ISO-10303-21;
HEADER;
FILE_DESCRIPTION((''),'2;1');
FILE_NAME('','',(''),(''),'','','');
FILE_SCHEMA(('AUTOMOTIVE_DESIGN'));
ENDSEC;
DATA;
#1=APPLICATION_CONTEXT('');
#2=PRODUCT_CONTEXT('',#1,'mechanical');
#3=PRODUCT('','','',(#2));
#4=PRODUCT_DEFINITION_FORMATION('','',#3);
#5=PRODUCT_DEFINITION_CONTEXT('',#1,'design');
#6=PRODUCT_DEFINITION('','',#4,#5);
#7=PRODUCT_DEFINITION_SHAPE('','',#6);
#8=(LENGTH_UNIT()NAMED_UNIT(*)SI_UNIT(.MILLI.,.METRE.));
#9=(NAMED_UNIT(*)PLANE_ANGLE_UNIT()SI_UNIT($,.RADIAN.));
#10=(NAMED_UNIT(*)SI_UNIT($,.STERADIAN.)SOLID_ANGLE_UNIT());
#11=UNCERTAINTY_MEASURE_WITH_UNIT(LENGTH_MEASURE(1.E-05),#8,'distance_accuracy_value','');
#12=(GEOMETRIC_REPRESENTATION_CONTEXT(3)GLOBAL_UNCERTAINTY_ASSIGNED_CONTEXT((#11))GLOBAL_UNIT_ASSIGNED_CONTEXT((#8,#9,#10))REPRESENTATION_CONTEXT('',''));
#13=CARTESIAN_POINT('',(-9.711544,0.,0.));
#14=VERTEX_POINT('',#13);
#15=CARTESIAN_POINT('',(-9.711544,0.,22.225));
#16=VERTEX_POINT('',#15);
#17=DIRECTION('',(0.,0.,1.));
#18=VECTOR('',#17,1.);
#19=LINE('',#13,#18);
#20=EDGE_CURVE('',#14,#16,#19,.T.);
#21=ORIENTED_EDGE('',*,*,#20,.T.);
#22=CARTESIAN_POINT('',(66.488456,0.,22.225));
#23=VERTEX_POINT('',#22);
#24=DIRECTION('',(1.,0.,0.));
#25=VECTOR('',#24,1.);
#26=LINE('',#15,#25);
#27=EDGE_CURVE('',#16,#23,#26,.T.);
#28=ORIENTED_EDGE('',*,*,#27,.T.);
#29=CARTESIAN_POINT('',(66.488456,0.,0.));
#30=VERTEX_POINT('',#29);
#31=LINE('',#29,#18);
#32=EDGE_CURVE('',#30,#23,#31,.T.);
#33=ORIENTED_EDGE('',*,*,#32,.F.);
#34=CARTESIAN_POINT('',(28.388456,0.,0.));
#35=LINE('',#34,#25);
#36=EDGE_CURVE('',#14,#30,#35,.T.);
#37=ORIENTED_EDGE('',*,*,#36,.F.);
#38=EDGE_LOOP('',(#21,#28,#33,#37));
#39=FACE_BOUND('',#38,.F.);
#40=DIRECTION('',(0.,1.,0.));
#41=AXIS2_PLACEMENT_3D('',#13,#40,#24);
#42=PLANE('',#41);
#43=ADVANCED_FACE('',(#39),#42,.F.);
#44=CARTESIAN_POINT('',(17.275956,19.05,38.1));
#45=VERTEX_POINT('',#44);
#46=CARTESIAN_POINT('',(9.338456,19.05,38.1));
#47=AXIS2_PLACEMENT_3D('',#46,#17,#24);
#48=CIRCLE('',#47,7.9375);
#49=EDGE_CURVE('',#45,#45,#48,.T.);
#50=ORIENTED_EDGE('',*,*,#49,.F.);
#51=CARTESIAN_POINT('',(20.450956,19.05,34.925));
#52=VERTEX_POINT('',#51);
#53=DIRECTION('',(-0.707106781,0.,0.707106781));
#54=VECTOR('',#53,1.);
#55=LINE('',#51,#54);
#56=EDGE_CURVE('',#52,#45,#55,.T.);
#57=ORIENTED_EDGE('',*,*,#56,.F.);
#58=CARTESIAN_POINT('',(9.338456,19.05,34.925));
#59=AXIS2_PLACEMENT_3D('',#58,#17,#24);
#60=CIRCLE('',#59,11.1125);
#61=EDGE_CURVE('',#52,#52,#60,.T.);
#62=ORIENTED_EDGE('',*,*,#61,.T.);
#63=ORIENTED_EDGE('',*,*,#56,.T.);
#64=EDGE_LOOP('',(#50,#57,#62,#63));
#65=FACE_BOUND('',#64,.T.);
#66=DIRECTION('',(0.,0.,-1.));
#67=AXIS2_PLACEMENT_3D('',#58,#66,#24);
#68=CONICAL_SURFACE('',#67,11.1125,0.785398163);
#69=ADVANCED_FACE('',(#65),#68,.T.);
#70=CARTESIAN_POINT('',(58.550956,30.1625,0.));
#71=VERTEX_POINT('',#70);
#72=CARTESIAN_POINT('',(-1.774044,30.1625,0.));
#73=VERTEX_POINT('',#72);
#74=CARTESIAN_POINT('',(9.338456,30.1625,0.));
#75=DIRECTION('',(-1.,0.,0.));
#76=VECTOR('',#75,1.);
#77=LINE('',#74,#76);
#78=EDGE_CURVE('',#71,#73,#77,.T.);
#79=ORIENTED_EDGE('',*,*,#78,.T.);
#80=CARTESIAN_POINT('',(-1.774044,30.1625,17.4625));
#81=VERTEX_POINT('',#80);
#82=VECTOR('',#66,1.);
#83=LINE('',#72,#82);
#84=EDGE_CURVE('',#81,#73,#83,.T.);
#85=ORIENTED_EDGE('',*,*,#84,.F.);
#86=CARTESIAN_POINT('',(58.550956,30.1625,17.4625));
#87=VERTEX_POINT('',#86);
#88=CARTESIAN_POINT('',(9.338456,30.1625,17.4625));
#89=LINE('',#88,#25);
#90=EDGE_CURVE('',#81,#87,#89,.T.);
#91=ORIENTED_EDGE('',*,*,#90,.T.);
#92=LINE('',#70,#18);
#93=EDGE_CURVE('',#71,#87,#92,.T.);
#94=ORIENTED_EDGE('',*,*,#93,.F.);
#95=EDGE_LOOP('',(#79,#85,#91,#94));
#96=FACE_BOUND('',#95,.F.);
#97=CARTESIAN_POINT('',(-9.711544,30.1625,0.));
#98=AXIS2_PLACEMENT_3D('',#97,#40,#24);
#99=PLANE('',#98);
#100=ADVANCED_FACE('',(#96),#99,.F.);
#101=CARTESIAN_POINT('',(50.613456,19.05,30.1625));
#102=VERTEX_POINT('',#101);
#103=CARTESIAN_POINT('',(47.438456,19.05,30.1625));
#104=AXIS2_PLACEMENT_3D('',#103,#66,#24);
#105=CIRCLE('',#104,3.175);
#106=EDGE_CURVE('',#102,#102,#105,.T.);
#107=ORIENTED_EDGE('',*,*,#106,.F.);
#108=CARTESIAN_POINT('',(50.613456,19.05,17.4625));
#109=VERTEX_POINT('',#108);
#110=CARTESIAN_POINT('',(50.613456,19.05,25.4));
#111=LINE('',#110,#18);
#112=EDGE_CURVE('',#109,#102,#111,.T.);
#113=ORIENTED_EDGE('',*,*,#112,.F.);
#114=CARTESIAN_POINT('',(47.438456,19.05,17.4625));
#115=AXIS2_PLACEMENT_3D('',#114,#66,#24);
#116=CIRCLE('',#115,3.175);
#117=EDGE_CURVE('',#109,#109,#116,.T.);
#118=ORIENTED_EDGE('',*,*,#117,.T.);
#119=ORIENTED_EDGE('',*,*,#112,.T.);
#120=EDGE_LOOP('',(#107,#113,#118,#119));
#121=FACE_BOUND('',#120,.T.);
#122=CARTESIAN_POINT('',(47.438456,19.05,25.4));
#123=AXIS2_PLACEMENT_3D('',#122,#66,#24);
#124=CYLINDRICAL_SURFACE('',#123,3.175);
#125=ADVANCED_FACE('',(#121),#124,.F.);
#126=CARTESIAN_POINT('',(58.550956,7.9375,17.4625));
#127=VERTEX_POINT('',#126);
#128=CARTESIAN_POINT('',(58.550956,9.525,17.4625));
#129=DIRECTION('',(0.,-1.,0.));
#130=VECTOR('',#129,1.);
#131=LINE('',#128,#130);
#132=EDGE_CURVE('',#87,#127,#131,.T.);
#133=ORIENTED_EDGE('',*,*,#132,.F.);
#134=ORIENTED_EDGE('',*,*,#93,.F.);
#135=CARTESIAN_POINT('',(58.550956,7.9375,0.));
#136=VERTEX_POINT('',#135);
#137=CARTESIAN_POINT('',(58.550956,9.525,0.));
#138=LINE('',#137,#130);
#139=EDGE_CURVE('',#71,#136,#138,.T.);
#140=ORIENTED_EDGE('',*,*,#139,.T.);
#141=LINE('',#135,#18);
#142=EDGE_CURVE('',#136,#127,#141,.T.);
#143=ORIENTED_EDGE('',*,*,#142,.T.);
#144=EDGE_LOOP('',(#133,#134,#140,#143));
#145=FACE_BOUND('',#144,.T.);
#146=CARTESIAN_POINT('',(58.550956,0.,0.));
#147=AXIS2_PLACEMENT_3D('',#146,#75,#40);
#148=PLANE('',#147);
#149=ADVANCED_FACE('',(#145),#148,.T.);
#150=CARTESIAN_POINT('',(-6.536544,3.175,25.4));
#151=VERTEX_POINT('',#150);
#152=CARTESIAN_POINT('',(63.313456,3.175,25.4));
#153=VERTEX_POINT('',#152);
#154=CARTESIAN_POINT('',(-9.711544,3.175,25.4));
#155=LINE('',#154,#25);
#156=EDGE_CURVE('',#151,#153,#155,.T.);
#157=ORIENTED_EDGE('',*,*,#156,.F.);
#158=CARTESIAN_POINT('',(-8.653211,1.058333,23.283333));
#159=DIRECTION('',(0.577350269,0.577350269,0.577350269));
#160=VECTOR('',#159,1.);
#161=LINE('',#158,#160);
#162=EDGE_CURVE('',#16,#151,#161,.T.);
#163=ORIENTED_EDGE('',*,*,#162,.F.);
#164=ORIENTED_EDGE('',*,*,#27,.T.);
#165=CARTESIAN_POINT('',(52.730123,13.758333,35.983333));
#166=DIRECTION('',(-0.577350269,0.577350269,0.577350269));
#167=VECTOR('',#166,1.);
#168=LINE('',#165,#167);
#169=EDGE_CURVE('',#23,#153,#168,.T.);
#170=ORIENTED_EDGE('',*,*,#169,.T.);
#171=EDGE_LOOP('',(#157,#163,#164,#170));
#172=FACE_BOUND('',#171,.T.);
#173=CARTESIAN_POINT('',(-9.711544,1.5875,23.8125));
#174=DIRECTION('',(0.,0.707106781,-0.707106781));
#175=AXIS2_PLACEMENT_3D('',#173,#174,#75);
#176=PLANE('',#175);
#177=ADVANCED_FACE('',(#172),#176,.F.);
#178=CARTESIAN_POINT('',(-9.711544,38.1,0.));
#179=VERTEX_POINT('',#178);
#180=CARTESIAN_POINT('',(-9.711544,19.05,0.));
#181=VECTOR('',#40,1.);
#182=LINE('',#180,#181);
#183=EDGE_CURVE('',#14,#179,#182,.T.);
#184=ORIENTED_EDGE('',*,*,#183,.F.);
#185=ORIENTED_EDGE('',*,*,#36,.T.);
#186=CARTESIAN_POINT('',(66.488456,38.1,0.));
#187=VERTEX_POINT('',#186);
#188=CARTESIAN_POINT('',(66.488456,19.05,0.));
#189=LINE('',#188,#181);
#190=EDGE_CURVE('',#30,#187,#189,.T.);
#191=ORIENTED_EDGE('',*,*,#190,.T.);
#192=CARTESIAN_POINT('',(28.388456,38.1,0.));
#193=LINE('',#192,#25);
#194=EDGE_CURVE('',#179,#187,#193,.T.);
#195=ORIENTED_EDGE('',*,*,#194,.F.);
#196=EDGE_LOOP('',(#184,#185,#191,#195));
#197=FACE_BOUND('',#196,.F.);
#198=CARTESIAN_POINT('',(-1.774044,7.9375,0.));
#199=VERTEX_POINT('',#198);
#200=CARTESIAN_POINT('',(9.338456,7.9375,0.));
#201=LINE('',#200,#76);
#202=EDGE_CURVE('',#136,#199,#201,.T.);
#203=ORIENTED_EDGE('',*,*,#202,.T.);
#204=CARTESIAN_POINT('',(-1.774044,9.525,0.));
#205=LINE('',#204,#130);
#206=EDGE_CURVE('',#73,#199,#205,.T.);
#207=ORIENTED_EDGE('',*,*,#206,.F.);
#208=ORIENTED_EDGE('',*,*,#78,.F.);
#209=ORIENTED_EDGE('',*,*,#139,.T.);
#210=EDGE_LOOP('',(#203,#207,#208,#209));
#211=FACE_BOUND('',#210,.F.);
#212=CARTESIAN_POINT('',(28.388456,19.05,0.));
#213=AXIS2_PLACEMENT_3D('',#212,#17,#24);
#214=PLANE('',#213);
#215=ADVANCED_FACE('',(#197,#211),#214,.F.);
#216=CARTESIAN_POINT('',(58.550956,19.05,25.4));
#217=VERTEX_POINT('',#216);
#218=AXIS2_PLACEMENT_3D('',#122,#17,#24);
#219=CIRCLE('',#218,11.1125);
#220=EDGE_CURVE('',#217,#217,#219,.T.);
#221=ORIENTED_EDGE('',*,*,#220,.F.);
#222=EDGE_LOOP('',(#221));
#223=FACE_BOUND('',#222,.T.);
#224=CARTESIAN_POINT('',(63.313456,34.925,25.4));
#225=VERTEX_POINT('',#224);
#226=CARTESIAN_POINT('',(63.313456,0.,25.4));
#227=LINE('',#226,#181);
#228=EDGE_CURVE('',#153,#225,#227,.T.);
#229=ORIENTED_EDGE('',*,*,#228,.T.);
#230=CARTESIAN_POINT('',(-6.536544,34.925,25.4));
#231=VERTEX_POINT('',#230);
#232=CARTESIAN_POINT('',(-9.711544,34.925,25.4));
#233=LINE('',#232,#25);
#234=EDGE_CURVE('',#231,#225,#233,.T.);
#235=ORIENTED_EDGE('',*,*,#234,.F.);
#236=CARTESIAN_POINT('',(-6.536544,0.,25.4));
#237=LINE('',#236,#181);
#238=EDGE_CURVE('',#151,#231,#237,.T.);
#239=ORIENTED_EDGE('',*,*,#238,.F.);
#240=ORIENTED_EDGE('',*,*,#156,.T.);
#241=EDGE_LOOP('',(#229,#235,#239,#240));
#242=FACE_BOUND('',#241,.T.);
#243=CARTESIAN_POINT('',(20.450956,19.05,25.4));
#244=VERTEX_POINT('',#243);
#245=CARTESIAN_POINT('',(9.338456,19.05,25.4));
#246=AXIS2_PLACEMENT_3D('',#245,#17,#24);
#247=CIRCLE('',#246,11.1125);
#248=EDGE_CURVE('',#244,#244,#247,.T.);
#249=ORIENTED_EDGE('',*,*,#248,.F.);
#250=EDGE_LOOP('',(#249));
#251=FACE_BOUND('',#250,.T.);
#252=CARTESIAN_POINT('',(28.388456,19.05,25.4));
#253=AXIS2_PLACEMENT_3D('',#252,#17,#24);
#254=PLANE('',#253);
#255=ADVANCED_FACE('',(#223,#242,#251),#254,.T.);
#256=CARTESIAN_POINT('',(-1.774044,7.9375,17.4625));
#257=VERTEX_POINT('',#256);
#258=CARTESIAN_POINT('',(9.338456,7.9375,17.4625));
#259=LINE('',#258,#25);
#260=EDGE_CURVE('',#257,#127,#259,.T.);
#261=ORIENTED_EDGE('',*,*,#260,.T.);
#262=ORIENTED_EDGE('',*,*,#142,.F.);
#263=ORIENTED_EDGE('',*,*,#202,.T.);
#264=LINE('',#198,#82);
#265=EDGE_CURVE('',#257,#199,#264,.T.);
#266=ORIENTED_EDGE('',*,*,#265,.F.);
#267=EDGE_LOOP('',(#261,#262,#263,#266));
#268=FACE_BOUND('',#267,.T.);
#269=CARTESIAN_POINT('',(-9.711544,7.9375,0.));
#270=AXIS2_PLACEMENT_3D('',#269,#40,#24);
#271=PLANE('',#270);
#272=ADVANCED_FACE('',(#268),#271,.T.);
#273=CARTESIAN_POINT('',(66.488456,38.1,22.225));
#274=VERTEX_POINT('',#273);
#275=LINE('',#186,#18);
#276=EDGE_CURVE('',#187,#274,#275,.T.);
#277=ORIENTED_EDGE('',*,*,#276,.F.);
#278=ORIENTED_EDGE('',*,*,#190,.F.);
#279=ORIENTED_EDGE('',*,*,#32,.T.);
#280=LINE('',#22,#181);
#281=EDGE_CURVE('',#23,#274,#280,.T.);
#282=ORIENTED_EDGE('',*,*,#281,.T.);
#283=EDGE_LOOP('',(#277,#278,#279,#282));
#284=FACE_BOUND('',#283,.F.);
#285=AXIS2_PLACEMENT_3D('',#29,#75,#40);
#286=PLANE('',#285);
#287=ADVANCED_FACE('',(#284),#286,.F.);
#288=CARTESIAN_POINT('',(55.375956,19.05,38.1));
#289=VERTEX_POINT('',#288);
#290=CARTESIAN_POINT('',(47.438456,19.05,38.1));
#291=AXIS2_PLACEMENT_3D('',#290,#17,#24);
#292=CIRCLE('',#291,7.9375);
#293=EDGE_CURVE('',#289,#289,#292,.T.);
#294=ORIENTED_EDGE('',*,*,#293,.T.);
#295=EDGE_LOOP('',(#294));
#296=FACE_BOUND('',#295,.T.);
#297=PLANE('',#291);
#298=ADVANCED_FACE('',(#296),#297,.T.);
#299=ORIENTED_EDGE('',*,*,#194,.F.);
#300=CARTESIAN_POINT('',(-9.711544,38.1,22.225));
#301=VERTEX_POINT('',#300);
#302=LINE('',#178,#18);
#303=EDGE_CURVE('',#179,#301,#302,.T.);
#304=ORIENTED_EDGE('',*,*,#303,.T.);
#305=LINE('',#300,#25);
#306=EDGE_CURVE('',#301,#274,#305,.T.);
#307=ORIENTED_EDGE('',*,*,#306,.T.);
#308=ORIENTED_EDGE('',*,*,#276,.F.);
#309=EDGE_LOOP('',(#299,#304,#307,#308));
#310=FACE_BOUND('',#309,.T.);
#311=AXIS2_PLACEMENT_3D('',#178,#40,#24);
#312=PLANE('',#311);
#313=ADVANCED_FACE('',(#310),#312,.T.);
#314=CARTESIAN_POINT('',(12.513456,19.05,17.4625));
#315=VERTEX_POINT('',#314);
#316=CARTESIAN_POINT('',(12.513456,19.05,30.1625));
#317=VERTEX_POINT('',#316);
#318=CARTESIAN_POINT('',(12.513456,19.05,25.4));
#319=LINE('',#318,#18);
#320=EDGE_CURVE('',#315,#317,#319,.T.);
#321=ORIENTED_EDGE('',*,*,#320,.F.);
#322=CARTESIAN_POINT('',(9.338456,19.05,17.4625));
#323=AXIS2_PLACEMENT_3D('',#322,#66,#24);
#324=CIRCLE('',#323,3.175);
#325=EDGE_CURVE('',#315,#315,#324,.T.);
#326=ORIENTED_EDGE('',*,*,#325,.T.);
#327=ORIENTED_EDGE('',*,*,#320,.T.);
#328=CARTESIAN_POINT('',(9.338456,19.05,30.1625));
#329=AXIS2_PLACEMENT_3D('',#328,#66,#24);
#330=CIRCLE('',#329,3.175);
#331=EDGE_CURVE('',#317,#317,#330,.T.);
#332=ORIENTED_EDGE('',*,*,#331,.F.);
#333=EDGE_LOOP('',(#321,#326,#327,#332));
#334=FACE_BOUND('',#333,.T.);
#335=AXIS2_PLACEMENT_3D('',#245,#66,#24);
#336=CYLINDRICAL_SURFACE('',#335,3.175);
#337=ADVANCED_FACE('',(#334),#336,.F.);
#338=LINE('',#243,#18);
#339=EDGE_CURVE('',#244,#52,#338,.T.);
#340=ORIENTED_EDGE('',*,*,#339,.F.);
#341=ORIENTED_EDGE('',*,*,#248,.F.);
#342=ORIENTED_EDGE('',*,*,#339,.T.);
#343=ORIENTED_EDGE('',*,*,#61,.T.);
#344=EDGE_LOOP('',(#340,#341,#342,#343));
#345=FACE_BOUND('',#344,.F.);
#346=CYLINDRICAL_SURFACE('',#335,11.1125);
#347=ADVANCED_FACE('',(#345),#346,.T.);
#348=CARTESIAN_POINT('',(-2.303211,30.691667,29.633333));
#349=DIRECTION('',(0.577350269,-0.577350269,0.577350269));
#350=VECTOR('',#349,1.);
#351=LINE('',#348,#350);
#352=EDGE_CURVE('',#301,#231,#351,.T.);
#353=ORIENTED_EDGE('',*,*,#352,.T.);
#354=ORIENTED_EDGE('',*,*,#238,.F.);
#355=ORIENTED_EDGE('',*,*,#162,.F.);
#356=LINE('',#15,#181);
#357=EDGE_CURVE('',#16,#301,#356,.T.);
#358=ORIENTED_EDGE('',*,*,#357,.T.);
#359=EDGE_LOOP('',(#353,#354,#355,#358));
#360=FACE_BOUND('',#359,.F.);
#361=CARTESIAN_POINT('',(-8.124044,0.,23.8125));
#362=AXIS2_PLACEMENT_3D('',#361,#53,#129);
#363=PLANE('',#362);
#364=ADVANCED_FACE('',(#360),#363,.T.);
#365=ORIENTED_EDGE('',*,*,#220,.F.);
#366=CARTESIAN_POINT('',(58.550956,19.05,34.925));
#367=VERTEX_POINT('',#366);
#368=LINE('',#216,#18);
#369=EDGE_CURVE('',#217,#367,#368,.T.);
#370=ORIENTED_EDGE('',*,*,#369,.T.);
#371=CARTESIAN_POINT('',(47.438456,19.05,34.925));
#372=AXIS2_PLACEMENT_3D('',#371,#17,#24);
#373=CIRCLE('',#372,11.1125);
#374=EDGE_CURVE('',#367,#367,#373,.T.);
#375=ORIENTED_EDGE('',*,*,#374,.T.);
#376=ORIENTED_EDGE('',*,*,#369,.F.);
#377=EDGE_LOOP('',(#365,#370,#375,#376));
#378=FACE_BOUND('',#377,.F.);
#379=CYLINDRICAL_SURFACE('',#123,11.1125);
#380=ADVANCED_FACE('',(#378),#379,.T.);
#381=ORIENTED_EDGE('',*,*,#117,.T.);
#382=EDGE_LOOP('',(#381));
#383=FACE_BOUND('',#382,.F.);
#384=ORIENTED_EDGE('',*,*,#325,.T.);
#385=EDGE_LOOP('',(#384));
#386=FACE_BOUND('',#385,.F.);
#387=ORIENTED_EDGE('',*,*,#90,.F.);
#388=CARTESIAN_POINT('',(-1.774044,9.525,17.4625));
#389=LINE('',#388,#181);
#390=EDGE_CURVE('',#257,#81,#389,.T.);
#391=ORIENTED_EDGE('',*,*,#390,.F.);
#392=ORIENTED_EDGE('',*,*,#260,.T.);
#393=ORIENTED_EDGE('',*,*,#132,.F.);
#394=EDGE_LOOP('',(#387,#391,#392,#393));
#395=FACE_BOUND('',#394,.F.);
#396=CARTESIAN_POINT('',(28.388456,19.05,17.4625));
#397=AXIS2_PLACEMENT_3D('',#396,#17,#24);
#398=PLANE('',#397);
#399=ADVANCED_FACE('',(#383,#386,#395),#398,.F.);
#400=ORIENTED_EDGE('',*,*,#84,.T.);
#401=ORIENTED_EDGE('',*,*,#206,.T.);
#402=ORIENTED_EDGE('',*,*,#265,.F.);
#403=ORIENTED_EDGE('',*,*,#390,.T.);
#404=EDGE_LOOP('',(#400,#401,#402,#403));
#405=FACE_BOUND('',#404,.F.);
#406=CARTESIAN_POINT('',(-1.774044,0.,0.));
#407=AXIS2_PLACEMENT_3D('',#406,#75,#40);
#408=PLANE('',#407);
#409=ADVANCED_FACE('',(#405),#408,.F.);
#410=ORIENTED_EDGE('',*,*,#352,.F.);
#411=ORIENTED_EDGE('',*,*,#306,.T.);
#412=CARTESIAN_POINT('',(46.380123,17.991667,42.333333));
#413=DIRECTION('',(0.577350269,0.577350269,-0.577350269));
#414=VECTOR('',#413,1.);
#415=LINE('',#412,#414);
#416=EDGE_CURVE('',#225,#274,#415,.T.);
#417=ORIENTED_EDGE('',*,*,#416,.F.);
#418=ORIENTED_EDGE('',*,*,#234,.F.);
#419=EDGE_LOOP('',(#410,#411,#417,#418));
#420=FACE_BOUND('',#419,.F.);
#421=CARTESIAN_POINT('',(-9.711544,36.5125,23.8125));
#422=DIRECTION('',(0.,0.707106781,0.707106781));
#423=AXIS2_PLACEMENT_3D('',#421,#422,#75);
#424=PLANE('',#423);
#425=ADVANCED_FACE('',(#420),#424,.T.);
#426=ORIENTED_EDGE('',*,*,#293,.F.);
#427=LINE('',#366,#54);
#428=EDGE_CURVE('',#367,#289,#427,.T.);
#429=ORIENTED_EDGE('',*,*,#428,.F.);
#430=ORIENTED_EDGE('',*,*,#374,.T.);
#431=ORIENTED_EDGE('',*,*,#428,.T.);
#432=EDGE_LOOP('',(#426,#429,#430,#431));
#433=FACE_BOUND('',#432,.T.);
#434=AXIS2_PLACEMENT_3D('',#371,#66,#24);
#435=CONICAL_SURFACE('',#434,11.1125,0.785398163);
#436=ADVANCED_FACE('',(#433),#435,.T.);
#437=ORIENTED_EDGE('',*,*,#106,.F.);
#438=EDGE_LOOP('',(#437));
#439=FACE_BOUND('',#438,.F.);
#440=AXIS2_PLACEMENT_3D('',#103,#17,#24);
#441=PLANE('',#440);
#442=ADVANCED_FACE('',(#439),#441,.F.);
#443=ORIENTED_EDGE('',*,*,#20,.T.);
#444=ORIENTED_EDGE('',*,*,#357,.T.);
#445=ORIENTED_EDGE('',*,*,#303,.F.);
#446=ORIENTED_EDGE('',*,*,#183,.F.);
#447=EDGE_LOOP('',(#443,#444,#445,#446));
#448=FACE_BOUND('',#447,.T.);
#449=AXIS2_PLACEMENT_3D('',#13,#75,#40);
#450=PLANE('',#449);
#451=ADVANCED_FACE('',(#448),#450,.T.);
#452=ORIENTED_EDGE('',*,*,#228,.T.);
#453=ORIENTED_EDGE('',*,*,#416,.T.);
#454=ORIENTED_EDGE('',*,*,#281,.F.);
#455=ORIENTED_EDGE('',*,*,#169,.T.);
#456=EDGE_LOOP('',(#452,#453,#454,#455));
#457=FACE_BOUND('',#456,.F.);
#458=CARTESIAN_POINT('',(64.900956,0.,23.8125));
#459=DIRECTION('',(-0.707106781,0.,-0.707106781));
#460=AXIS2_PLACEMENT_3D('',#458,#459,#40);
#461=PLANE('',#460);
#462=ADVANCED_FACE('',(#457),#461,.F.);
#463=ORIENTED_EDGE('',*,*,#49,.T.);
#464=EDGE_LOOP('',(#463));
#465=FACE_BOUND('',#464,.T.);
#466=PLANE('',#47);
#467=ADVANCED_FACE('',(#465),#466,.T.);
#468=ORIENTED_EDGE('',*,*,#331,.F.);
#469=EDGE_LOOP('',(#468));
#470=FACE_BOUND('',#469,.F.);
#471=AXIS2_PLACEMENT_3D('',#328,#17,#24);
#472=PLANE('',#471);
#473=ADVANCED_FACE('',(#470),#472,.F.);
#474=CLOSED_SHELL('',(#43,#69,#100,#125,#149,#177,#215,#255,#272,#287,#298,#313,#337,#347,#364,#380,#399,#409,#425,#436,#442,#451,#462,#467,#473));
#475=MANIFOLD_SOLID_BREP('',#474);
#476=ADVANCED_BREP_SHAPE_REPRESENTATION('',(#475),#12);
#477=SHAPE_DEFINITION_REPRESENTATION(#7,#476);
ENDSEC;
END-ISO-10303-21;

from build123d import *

# Parameters (mm, degrees)
F0_W     = 76.2
F0_H     = 38.1
F1_DEPTH = 25.4
F2_R     = 11.1125
F3_DEPTH = 12.7
F4_T     = -7.9375
F5_SIZE2 = 3.175
F5_SIZE  = 3.175


with BuildPart() as f1:
    # F0 (on Top) → F1 (new body)
    with BuildSketch(Plane.XY):
        with Locations((28.3884559706, 19.05)):
            Rectangle(F0_W, F0_H)
    extrude(amount=F1_DEPTH)

    # F2 (on face) → F3 (join)
    with BuildSketch(Plane.XY.offset(25.4)):
        with Locations((47.4384559706, 19.05)):
            Circle(F2_R)
        with Locations((9.3384559706, 19.05)):
            Circle(F2_R)
    extrude(amount=F3_DEPTH)

    # F4
    f4_openings = [f1.faces().sort_by_distance(p)[0] for p in [
        (28.388456, 19.05, 0),
    ]]
    offset(amount=F4_T, openings=f4_openings, kind=Kind.INTERSECTION)

    # F5
    f5_edges = [f1.edges().sort_by_distance(p)[0] for p in [
        (-1.774044, 19.05, 38.1),
        (36.325956, 19.05, 38.1),
        (28.388456, 0, 25.4),
        (66.488456, 19.05, 25.4),
        (28.388456, 38.1, 25.4),
        (-9.711544, 19.05, 25.4),
    ]]
    chamfer(f5_edges, length=F5_SIZE, length2=F5_SIZE2)


solid = f1.part
